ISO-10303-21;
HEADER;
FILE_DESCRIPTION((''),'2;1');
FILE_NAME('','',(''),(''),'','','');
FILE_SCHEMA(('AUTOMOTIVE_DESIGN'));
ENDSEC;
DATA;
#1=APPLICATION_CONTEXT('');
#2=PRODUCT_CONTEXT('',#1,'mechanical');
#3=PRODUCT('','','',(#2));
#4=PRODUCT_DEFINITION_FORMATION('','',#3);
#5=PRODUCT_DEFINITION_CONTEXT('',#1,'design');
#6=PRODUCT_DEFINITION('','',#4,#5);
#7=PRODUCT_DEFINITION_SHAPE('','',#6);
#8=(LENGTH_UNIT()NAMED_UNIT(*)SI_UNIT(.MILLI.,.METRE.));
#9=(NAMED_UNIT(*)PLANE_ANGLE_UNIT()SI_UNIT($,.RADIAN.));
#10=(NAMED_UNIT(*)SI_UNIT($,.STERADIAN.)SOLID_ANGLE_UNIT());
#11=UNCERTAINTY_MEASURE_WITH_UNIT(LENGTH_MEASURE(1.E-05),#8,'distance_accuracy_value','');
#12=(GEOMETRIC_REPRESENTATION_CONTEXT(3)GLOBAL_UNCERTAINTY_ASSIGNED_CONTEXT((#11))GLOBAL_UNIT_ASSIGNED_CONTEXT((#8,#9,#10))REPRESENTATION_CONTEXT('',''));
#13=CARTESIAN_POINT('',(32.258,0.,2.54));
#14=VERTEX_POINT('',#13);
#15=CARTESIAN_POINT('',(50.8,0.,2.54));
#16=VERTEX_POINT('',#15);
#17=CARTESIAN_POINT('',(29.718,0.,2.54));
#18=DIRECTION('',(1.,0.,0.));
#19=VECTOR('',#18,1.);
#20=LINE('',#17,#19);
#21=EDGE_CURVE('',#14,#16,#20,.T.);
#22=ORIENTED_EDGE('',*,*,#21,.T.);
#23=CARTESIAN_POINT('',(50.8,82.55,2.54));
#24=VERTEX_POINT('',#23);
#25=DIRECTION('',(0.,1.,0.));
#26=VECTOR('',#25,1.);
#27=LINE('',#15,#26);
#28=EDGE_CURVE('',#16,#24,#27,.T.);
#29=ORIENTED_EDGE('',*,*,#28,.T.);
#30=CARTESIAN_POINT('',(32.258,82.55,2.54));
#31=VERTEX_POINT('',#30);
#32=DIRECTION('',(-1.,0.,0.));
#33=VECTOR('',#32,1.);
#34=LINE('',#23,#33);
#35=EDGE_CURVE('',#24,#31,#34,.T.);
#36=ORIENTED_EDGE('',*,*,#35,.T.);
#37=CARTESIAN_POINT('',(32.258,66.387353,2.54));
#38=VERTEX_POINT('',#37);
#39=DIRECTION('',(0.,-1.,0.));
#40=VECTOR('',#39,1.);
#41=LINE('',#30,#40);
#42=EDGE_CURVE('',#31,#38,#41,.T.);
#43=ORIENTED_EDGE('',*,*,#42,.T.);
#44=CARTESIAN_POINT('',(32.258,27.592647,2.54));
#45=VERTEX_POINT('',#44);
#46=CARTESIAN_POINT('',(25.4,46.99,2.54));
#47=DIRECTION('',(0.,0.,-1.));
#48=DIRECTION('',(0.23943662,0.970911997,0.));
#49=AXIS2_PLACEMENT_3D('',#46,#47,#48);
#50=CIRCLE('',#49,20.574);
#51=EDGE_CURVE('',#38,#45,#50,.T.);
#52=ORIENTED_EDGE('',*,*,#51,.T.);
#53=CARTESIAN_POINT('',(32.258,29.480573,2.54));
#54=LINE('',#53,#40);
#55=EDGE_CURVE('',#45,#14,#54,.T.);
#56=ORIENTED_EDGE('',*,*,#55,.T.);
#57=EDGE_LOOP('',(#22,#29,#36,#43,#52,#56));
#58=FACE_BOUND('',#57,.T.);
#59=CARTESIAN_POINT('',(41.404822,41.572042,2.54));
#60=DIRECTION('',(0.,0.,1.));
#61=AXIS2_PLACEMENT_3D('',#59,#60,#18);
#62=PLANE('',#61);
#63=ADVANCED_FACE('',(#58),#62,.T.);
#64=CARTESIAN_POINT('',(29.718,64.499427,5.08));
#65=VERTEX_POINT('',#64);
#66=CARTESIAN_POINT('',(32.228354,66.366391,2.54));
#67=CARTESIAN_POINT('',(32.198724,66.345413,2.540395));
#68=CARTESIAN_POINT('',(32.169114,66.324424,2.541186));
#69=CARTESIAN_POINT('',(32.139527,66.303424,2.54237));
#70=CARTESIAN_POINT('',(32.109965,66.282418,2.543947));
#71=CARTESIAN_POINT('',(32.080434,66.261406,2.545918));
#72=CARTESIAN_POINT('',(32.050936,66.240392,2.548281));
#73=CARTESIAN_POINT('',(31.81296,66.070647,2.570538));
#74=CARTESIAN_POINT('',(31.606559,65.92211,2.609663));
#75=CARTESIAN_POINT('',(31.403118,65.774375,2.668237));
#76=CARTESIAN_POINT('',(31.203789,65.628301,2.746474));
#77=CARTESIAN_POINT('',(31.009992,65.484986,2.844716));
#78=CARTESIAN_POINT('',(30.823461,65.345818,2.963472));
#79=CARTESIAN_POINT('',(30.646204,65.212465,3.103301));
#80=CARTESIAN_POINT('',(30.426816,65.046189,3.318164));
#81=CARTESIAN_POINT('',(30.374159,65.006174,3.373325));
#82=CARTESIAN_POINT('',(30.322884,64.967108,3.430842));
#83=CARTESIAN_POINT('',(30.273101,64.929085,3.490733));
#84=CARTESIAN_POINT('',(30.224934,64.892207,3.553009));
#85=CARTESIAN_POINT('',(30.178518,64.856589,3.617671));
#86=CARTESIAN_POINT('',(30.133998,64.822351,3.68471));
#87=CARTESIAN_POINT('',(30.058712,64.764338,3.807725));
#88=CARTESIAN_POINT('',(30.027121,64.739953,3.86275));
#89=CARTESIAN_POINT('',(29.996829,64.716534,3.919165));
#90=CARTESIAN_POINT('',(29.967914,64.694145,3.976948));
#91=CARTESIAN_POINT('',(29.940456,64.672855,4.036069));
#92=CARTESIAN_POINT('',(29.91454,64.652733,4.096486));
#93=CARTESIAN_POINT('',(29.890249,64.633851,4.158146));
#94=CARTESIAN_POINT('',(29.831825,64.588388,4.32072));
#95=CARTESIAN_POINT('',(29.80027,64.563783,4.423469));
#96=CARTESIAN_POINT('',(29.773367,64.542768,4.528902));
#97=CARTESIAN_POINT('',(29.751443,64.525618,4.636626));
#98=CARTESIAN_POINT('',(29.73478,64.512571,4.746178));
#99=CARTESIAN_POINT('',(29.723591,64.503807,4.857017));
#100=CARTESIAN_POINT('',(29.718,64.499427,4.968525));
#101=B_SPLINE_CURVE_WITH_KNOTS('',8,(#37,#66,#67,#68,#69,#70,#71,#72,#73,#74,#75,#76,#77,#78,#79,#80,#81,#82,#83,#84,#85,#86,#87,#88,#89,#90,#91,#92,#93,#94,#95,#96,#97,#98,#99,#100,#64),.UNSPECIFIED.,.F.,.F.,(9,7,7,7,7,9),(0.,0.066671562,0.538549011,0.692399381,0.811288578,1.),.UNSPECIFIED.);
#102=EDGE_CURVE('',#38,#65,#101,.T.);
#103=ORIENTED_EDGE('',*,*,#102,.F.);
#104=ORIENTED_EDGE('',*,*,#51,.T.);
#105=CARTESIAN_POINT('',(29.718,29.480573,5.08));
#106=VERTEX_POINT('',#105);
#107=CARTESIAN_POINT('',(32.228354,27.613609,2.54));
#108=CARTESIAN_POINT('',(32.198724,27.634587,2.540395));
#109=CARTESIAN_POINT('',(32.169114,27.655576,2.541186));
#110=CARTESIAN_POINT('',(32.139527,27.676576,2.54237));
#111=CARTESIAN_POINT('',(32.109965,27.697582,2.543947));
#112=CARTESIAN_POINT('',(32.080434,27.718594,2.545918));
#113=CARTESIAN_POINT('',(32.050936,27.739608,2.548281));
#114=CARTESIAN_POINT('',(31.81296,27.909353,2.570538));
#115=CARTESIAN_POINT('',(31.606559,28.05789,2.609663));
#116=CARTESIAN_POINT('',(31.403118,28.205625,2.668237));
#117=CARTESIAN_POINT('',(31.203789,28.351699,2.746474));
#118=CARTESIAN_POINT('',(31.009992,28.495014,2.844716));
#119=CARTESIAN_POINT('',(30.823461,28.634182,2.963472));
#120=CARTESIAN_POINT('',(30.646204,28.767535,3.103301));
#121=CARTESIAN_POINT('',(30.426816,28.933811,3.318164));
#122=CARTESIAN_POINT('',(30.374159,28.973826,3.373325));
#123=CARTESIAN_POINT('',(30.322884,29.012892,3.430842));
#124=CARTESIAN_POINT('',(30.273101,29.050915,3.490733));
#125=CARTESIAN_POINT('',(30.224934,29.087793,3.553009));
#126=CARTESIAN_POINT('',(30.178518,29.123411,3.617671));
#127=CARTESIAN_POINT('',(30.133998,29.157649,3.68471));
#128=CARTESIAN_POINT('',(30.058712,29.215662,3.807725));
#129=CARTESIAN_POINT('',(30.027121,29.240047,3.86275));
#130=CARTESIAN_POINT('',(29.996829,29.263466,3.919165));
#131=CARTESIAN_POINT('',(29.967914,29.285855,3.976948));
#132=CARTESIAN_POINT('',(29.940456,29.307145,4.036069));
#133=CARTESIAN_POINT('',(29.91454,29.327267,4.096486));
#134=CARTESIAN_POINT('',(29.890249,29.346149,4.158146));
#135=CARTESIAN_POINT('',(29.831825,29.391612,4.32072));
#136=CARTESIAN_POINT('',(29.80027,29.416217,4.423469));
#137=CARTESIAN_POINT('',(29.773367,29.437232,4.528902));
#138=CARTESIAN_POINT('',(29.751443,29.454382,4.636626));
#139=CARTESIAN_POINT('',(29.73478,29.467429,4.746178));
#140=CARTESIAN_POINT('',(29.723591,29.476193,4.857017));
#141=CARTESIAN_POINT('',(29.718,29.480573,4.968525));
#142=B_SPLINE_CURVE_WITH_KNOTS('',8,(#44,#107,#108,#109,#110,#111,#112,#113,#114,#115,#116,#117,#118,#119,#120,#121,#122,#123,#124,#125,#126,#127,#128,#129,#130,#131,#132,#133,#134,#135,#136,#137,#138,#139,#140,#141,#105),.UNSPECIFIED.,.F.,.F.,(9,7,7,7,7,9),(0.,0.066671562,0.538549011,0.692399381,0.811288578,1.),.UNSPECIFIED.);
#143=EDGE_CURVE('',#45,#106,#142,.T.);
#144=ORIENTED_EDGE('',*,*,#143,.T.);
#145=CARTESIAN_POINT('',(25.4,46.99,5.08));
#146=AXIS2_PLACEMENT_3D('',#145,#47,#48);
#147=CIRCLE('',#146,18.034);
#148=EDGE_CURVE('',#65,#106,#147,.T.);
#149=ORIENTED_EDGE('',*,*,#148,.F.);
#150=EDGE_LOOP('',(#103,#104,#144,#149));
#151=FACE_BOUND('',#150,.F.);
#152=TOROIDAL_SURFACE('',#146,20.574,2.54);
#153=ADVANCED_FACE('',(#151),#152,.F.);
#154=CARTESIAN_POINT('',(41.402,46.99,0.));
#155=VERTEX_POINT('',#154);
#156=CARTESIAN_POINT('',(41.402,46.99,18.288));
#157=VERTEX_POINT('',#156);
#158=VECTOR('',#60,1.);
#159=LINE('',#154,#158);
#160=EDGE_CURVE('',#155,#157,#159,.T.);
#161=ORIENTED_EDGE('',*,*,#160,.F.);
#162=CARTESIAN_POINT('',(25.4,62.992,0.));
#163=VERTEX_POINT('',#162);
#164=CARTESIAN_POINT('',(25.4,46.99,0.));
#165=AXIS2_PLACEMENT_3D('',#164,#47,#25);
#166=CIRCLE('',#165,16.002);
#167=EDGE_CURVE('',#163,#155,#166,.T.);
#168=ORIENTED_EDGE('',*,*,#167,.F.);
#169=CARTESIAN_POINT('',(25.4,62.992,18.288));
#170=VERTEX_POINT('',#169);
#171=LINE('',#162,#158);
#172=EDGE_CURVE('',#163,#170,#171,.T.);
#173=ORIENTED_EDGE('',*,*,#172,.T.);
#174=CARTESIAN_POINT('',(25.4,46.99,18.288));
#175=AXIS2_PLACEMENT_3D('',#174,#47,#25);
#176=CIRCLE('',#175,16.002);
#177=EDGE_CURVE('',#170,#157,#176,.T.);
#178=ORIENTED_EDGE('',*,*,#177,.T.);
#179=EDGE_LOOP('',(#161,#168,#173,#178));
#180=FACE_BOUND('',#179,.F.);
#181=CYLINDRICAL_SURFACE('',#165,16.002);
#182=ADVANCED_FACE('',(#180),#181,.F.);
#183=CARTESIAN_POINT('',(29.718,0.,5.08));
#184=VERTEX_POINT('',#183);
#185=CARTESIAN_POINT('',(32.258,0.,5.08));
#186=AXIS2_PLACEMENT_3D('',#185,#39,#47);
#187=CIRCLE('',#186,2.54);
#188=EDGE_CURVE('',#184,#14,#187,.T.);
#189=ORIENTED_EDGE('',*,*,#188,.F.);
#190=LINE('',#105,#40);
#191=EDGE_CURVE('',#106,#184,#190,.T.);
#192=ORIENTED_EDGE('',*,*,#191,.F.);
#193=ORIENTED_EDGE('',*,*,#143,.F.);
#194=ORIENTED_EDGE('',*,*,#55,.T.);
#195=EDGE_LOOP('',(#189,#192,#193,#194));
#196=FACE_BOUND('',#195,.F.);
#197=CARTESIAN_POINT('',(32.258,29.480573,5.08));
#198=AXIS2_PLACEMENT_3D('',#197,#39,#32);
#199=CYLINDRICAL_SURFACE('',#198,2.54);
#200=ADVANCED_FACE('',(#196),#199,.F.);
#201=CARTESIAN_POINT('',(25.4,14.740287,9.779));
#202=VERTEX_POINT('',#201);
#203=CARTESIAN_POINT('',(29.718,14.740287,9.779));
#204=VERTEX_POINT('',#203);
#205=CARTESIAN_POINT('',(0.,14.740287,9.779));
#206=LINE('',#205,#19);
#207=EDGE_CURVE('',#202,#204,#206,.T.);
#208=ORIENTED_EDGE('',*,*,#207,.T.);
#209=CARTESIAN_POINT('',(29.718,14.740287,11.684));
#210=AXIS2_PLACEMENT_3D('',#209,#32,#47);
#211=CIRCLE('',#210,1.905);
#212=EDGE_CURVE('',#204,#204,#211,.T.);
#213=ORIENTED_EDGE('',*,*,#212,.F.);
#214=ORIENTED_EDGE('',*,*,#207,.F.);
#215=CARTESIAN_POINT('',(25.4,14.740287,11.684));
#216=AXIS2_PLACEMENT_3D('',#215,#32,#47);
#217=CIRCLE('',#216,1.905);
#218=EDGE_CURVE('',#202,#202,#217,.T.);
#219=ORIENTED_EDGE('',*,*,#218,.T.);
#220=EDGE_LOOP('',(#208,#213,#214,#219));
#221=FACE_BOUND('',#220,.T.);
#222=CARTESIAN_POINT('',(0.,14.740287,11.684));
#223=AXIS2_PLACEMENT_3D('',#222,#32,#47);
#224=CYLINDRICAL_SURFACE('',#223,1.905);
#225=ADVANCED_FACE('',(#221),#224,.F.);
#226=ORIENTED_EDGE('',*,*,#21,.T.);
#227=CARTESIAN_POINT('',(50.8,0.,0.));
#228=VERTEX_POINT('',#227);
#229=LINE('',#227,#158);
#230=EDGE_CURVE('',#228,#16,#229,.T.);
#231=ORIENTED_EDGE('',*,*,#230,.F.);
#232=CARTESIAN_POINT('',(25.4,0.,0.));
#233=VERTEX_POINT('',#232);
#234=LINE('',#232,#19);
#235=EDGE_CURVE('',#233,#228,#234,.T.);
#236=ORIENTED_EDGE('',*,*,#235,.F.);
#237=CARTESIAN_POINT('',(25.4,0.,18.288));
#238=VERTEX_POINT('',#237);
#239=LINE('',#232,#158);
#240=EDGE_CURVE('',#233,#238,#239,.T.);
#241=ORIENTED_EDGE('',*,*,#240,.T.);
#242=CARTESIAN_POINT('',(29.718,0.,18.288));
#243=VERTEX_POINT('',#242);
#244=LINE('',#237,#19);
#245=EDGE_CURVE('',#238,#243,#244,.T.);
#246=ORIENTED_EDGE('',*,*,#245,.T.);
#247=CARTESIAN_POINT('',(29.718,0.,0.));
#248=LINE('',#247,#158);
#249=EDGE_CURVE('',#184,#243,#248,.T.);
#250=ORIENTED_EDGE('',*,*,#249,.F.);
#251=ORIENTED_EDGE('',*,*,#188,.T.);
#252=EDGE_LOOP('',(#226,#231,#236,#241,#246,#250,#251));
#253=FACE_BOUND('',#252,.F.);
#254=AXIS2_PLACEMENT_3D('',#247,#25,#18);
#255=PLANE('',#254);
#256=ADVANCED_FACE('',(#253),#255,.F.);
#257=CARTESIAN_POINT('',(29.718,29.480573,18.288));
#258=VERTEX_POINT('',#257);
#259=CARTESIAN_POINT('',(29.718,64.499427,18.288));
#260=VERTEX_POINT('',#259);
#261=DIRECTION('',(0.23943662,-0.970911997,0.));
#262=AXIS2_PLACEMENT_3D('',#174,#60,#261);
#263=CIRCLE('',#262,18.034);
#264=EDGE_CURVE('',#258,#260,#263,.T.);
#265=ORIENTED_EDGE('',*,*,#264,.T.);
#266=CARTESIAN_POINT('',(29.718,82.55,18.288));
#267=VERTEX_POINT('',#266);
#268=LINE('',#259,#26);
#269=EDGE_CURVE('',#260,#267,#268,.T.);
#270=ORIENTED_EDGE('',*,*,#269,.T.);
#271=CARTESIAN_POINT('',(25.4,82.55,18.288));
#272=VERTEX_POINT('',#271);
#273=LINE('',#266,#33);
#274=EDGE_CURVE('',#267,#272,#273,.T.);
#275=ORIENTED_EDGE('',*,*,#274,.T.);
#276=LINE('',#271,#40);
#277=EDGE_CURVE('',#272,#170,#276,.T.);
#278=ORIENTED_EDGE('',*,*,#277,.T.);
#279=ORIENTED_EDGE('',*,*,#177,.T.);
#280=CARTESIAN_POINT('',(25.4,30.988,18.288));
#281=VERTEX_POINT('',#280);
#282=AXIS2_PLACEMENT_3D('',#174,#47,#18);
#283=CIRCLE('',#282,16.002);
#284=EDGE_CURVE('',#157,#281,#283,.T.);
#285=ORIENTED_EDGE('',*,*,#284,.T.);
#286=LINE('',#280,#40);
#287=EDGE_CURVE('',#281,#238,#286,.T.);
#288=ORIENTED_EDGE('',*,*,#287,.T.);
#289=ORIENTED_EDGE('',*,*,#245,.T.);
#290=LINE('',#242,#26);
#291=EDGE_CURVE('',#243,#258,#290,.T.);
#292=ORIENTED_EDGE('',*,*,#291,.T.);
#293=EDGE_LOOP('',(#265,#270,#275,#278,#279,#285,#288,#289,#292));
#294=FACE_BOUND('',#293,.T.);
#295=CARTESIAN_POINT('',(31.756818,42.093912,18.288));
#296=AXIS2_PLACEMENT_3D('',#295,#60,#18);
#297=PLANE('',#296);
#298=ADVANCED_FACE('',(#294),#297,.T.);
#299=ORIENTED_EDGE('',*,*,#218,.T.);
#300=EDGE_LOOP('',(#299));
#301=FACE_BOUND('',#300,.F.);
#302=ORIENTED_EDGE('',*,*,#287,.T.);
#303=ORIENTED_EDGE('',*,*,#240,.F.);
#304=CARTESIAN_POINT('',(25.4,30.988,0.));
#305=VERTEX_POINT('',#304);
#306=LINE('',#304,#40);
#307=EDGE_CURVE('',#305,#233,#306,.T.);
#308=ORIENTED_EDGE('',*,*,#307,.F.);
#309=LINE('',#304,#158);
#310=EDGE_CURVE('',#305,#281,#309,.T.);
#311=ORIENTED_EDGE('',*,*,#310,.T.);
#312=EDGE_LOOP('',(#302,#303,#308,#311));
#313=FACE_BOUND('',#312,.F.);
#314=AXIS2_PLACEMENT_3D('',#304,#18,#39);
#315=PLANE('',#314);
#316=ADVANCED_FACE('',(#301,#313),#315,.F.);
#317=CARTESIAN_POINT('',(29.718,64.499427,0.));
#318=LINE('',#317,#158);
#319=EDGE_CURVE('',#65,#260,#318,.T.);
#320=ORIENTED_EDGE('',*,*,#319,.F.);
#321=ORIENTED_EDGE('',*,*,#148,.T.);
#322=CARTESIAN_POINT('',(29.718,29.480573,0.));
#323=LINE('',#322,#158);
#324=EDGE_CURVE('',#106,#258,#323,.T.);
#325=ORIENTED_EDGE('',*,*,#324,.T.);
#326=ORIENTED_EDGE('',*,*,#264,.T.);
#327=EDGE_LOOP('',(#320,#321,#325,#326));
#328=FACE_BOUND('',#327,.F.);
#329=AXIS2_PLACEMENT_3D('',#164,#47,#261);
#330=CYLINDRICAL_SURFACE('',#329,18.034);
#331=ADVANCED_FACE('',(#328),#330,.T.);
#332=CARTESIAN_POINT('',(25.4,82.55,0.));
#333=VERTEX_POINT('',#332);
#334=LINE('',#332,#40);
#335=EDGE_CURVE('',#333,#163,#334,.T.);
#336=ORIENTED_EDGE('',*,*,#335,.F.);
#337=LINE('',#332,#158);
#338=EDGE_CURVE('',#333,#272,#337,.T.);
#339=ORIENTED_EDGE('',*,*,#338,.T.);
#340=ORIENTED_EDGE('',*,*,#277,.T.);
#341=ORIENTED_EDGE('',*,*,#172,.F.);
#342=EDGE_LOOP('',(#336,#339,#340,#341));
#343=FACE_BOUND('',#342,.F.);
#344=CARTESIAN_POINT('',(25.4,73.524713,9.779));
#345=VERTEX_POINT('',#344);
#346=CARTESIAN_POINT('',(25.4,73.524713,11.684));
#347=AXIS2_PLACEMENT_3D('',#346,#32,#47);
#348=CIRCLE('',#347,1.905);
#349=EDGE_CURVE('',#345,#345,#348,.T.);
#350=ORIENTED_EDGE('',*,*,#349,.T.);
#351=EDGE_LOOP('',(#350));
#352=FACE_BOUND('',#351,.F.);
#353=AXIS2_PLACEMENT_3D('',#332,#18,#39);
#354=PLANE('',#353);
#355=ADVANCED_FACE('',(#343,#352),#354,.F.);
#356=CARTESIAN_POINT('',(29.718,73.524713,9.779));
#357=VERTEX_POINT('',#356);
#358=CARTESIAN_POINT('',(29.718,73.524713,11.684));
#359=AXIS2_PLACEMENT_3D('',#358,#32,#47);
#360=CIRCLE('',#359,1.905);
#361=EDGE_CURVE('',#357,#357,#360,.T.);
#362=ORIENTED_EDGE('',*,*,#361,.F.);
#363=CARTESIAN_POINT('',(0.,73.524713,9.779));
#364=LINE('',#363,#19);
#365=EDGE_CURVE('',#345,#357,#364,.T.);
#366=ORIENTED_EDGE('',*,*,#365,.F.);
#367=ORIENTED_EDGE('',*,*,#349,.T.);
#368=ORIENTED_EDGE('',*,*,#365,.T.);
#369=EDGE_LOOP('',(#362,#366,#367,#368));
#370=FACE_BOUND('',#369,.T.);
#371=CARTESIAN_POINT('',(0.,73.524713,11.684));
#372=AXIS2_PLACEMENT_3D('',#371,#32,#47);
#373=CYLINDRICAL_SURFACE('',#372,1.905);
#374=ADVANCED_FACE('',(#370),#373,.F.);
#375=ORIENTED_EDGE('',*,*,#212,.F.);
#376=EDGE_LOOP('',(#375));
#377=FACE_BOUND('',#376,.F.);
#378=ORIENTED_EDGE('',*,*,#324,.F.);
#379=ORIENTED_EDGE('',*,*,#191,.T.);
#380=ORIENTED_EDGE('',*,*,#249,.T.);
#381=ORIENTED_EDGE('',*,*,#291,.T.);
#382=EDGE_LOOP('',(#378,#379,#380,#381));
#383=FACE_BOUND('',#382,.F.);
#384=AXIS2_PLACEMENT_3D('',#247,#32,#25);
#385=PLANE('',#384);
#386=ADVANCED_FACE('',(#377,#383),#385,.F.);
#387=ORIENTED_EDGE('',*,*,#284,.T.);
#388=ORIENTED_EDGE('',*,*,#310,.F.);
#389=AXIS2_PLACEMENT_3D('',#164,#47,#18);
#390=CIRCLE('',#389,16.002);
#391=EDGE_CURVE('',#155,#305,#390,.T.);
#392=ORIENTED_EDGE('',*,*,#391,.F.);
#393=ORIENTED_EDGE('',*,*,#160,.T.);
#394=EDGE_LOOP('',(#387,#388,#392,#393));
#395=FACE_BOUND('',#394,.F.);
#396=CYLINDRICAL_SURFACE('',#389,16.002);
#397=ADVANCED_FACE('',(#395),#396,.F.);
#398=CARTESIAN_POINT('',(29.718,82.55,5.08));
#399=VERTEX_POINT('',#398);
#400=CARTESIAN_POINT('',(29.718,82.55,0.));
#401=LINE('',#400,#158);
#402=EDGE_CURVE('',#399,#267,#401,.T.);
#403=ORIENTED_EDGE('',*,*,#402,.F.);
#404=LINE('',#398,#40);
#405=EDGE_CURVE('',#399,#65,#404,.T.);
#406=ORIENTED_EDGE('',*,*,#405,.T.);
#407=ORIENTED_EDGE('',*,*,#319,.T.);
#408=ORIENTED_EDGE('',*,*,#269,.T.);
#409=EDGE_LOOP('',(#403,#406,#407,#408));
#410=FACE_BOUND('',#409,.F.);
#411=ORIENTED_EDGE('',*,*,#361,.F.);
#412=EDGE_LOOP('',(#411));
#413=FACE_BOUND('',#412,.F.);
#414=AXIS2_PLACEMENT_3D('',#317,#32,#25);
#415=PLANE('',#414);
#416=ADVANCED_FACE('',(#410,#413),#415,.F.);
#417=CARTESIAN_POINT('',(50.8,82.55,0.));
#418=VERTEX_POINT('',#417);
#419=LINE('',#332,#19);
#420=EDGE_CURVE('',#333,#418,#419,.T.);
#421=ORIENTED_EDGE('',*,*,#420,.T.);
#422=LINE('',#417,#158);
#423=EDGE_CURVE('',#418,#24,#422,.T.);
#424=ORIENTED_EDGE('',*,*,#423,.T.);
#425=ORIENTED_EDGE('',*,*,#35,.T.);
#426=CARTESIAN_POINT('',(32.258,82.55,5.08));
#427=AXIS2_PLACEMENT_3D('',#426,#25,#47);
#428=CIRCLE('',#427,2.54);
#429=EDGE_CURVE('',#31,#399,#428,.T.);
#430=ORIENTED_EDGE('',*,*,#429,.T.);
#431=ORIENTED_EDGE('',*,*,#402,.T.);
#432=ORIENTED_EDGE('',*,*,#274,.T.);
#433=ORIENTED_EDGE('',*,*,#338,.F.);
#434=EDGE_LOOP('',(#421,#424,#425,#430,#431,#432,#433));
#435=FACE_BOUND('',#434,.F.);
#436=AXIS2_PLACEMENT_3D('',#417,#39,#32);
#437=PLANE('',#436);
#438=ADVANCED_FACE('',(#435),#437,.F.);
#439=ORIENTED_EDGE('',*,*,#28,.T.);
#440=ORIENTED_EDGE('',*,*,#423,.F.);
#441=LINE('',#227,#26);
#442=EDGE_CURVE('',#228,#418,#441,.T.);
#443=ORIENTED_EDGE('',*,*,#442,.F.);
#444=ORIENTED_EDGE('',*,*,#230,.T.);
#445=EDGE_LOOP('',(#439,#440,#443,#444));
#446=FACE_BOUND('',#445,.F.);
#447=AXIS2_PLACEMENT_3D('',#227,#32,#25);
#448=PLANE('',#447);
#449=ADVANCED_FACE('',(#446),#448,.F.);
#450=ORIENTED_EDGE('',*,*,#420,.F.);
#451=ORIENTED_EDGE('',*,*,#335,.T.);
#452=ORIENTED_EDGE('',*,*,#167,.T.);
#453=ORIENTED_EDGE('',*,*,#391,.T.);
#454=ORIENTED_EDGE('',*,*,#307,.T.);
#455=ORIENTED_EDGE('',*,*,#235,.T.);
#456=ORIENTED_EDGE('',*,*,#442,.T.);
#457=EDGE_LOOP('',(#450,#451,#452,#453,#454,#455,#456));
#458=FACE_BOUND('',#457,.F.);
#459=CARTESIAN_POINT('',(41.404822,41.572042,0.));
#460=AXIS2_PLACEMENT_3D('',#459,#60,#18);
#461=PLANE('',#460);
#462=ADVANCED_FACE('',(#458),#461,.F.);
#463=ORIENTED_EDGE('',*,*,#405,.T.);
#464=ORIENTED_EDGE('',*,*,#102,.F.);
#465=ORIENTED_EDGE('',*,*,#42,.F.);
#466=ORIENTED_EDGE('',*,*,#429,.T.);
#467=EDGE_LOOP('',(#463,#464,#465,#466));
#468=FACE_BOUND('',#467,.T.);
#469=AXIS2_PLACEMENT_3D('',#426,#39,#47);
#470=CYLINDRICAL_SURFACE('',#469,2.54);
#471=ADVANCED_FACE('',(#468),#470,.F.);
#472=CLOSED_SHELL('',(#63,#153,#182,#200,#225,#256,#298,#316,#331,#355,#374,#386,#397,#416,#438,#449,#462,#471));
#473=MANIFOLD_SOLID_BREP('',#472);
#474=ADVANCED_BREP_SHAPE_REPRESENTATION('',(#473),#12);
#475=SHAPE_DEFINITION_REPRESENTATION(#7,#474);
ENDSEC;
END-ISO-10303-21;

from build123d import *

# Parameters (mm, degrees)
BOSS_EXTRUDE6_DEPTH = 18.288
BOSS_EXTRUDE7_DEPTH = 2.54
SKETCH4_R           = 1.905
CUT_EXTRUDE2_DEPTH  = 51.8
FILLET2_R           = 2.54


with BuildPart() as part:
    # Sketch3 → Boss-Extrude6 (new body)
    with BuildSketch(Plane.XY):
        with BuildLine():
            Line((25.4, 30.988), (25.4, 0))
            Line((25.4, 0), (29.718, 0))
            Line((29.718, 0), (29.718, 29.480573053))
            ThreePointArc((29.718, 29.480573053), (43.434, 46.99), (29.718, 64.499426947))
            Line((29.718, 64.499426947), (29.718, 82.55))
            Line((29.718, 82.55), (25.4, 82.55))
            Line((25.4, 82.55), (25.4, 62.992))
            ThreePointArc((25.4, 62.992), (36.715122713, 58.305122713), (41.402, 46.99))
            ThreePointArc((41.402, 46.99), (36.715122713, 35.674877287), (25.4, 30.988))
        make_face()
    extrude(amount=BOSS_EXTRUDE6_DEPTH)

    # Sketch3_10 → Boss-Extrude7 (add)
    with BuildSketch(Plane.XY):
        with BuildLine():
            Line((29.718, 29.480573053), (29.718, 0))
            Line((29.718, 0), (50.8, 0))
            Line((50.8, 0), (50.8, 82.55))
            Line((50.8, 82.55), (29.718, 82.55))
            Line((29.718, 82.55), (29.718, 64.499426947))
            ThreePointArc((29.718, 64.499426947), (43.434, 46.99), (29.718, 29.480573053))
        make_face()
    extrude(amount=BOSS_EXTRUDE7_DEPTH)

    # Sketch4 → Cut-Extrude2 (cut, through all)
    with BuildSketch(Plane(origin=(0, 0, 0), x_dir=(0, 0, -1), z_dir=(1, 0, 0))):
        with Locations((-11.684, 14.740286527)):
            Circle(SKETCH4_R)
        with Locations((-11.684, 73.524713473)):
            Circle(SKETCH4_R)
    extrude(amount=CUT_EXTRUDE2_DEPTH, mode=Mode.SUBTRACT)

    # Fillet2
    fillet2_edges = [part.edges().sort_by_distance(p)[0] for p in [
        (43.434, 46.99, 2.54),
        (29.718, 14.740286527, 2.54),
        (29.718, 73.524713473, 2.54),
    ]]
    fillet(fillet2_edges, radius=FILLET2_R)


solid = part.part
